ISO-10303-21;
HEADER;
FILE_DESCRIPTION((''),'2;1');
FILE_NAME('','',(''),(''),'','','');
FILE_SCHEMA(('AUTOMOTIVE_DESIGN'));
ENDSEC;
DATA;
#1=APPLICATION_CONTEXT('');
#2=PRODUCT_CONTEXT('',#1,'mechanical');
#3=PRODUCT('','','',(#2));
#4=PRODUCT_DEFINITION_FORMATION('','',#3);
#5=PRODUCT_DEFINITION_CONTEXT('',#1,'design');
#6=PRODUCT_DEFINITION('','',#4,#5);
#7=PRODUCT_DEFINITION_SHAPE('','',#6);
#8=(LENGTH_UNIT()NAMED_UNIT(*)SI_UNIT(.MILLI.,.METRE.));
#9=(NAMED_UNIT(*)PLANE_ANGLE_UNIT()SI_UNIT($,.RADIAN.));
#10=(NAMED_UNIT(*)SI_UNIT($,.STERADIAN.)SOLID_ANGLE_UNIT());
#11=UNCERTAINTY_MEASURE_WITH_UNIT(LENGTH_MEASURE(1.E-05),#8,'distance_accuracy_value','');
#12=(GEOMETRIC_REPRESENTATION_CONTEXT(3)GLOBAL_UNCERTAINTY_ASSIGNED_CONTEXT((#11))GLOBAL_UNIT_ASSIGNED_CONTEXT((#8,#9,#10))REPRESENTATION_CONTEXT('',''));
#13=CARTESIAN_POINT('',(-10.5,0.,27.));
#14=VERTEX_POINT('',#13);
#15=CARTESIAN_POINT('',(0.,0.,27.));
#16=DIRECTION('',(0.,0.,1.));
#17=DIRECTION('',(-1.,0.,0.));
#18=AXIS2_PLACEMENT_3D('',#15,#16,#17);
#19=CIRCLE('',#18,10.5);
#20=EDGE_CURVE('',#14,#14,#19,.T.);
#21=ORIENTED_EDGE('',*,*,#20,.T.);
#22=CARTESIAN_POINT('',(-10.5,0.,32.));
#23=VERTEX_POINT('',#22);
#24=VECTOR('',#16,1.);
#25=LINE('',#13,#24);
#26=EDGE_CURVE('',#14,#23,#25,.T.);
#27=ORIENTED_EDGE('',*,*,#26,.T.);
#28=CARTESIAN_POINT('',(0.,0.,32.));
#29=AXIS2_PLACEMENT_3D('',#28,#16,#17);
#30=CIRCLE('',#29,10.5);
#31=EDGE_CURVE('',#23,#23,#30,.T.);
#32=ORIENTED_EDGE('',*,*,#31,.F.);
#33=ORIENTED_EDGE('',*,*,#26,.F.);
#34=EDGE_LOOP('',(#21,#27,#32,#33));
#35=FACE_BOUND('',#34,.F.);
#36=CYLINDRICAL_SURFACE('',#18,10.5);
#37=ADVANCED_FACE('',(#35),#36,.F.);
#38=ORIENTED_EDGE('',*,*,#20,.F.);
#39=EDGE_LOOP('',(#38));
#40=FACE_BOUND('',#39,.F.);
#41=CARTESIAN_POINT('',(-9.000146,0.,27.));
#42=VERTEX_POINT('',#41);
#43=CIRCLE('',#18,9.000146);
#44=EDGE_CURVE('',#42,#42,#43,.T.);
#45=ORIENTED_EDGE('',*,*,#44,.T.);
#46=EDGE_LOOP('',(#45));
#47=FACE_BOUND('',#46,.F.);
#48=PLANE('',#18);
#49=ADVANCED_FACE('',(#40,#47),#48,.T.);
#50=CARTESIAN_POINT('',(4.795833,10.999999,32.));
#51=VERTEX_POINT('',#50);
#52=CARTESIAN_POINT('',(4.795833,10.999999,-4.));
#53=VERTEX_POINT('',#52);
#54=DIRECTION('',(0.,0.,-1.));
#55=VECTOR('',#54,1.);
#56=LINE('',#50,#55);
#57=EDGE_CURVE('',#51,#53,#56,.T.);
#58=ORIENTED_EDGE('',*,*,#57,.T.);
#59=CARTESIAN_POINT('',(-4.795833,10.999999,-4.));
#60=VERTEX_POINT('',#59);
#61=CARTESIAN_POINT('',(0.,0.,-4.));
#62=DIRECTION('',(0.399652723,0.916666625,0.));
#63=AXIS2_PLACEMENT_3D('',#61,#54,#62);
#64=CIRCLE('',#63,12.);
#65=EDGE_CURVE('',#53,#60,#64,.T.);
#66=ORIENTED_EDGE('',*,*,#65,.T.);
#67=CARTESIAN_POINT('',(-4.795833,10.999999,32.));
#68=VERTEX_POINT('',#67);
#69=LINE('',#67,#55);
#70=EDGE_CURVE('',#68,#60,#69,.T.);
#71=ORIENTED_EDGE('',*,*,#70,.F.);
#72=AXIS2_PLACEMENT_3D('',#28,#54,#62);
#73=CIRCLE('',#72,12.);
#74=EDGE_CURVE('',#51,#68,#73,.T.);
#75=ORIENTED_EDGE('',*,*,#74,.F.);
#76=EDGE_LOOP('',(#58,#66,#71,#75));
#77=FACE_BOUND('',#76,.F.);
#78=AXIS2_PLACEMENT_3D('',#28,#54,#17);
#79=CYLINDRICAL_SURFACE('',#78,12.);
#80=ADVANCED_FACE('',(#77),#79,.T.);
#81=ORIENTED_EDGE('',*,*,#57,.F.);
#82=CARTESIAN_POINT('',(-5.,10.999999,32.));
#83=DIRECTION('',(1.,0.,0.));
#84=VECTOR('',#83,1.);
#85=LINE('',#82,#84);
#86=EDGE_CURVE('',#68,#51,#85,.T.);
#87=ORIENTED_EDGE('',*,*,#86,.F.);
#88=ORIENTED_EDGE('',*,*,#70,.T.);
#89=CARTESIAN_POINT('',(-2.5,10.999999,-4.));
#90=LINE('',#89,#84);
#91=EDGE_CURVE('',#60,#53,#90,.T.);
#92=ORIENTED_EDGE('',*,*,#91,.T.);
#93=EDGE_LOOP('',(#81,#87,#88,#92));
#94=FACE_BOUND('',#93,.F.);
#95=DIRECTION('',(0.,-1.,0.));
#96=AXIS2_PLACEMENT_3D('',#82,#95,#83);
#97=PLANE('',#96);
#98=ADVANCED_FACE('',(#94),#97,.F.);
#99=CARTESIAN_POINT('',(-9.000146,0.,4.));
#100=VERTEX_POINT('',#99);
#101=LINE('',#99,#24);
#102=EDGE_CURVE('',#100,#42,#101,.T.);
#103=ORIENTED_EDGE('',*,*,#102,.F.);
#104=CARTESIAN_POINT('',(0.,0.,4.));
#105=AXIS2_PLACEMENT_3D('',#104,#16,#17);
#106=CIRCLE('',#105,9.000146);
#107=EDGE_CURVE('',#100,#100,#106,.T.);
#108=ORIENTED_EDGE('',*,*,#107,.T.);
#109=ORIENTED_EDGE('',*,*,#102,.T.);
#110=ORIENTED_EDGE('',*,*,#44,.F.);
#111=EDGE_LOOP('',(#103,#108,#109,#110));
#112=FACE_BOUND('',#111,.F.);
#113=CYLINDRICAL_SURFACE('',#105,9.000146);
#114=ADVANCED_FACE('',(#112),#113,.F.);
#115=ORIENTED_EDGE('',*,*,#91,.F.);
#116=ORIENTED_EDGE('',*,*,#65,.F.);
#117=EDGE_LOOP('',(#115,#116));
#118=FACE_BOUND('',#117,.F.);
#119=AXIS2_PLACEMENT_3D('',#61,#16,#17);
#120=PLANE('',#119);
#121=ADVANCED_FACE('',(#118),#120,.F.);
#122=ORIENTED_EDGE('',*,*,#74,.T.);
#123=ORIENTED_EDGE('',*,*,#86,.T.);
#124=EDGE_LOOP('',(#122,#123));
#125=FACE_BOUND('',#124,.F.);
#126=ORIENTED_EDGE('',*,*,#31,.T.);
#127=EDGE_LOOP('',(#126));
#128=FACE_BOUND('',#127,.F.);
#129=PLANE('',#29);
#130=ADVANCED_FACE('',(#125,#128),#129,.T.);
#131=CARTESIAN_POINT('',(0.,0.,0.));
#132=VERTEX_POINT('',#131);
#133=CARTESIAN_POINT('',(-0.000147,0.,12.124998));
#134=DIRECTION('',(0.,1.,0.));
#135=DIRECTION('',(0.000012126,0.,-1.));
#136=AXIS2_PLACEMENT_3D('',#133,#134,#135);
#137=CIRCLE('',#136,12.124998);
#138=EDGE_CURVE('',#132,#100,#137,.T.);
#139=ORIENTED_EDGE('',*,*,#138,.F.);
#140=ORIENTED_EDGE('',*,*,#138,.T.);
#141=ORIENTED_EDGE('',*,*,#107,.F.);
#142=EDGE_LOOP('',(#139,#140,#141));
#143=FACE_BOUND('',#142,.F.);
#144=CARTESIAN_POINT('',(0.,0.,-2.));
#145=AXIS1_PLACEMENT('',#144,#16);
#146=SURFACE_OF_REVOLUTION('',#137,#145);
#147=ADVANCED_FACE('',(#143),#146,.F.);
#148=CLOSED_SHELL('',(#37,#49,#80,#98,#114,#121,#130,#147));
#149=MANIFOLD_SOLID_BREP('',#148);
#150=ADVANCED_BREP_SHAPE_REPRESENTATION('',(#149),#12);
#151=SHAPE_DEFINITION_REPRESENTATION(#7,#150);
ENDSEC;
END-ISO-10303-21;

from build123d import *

# Parameters (mm, degrees)
F2_W     = 5
F2_H     = 1.851495
F3_DEPTH = 38


with BuildPart() as f1:
    # F0 (on Front) → F1 (revolve)
    with BuildSketch(Plane.XZ):
        with BuildLine():
            Line((-12, -4), (0, -4))
            Line((0, -4), (0, 0))
            ThreePointArc((0, 0), (-4.924508, 1.045005), (-9.000146, 4))
            Line((-9.000146, 4), (-9.000146, 27))
            Line((-9.000146, 27), (-10.5, 27))
            Line((-10.5, 27), (-10.5, 32))
            Line((-10.5, 32), (-12, 32))
            Line((-12, 32), (-12, 29))
            Line((-12, 29), (-12, 4))
            Line((-12, 4), (-12, -4))
        make_face()
    revolve(axis=Axis((0, 0, -2), (0, 0, 1)))

    # F2 (on face) → F3 (cut)
    with BuildSketch(Plane.XY.offset(32)):
        with Locations((2.5, 11.925747)):
            Rectangle(F2_W, F2_H)
        with Locations((-2.5, 11.925747)):
            Rectangle(F2_W, F2_H)
    extrude(amount=-F3_DEPTH, mode=Mode.SUBTRACT)


solid = f1.part
